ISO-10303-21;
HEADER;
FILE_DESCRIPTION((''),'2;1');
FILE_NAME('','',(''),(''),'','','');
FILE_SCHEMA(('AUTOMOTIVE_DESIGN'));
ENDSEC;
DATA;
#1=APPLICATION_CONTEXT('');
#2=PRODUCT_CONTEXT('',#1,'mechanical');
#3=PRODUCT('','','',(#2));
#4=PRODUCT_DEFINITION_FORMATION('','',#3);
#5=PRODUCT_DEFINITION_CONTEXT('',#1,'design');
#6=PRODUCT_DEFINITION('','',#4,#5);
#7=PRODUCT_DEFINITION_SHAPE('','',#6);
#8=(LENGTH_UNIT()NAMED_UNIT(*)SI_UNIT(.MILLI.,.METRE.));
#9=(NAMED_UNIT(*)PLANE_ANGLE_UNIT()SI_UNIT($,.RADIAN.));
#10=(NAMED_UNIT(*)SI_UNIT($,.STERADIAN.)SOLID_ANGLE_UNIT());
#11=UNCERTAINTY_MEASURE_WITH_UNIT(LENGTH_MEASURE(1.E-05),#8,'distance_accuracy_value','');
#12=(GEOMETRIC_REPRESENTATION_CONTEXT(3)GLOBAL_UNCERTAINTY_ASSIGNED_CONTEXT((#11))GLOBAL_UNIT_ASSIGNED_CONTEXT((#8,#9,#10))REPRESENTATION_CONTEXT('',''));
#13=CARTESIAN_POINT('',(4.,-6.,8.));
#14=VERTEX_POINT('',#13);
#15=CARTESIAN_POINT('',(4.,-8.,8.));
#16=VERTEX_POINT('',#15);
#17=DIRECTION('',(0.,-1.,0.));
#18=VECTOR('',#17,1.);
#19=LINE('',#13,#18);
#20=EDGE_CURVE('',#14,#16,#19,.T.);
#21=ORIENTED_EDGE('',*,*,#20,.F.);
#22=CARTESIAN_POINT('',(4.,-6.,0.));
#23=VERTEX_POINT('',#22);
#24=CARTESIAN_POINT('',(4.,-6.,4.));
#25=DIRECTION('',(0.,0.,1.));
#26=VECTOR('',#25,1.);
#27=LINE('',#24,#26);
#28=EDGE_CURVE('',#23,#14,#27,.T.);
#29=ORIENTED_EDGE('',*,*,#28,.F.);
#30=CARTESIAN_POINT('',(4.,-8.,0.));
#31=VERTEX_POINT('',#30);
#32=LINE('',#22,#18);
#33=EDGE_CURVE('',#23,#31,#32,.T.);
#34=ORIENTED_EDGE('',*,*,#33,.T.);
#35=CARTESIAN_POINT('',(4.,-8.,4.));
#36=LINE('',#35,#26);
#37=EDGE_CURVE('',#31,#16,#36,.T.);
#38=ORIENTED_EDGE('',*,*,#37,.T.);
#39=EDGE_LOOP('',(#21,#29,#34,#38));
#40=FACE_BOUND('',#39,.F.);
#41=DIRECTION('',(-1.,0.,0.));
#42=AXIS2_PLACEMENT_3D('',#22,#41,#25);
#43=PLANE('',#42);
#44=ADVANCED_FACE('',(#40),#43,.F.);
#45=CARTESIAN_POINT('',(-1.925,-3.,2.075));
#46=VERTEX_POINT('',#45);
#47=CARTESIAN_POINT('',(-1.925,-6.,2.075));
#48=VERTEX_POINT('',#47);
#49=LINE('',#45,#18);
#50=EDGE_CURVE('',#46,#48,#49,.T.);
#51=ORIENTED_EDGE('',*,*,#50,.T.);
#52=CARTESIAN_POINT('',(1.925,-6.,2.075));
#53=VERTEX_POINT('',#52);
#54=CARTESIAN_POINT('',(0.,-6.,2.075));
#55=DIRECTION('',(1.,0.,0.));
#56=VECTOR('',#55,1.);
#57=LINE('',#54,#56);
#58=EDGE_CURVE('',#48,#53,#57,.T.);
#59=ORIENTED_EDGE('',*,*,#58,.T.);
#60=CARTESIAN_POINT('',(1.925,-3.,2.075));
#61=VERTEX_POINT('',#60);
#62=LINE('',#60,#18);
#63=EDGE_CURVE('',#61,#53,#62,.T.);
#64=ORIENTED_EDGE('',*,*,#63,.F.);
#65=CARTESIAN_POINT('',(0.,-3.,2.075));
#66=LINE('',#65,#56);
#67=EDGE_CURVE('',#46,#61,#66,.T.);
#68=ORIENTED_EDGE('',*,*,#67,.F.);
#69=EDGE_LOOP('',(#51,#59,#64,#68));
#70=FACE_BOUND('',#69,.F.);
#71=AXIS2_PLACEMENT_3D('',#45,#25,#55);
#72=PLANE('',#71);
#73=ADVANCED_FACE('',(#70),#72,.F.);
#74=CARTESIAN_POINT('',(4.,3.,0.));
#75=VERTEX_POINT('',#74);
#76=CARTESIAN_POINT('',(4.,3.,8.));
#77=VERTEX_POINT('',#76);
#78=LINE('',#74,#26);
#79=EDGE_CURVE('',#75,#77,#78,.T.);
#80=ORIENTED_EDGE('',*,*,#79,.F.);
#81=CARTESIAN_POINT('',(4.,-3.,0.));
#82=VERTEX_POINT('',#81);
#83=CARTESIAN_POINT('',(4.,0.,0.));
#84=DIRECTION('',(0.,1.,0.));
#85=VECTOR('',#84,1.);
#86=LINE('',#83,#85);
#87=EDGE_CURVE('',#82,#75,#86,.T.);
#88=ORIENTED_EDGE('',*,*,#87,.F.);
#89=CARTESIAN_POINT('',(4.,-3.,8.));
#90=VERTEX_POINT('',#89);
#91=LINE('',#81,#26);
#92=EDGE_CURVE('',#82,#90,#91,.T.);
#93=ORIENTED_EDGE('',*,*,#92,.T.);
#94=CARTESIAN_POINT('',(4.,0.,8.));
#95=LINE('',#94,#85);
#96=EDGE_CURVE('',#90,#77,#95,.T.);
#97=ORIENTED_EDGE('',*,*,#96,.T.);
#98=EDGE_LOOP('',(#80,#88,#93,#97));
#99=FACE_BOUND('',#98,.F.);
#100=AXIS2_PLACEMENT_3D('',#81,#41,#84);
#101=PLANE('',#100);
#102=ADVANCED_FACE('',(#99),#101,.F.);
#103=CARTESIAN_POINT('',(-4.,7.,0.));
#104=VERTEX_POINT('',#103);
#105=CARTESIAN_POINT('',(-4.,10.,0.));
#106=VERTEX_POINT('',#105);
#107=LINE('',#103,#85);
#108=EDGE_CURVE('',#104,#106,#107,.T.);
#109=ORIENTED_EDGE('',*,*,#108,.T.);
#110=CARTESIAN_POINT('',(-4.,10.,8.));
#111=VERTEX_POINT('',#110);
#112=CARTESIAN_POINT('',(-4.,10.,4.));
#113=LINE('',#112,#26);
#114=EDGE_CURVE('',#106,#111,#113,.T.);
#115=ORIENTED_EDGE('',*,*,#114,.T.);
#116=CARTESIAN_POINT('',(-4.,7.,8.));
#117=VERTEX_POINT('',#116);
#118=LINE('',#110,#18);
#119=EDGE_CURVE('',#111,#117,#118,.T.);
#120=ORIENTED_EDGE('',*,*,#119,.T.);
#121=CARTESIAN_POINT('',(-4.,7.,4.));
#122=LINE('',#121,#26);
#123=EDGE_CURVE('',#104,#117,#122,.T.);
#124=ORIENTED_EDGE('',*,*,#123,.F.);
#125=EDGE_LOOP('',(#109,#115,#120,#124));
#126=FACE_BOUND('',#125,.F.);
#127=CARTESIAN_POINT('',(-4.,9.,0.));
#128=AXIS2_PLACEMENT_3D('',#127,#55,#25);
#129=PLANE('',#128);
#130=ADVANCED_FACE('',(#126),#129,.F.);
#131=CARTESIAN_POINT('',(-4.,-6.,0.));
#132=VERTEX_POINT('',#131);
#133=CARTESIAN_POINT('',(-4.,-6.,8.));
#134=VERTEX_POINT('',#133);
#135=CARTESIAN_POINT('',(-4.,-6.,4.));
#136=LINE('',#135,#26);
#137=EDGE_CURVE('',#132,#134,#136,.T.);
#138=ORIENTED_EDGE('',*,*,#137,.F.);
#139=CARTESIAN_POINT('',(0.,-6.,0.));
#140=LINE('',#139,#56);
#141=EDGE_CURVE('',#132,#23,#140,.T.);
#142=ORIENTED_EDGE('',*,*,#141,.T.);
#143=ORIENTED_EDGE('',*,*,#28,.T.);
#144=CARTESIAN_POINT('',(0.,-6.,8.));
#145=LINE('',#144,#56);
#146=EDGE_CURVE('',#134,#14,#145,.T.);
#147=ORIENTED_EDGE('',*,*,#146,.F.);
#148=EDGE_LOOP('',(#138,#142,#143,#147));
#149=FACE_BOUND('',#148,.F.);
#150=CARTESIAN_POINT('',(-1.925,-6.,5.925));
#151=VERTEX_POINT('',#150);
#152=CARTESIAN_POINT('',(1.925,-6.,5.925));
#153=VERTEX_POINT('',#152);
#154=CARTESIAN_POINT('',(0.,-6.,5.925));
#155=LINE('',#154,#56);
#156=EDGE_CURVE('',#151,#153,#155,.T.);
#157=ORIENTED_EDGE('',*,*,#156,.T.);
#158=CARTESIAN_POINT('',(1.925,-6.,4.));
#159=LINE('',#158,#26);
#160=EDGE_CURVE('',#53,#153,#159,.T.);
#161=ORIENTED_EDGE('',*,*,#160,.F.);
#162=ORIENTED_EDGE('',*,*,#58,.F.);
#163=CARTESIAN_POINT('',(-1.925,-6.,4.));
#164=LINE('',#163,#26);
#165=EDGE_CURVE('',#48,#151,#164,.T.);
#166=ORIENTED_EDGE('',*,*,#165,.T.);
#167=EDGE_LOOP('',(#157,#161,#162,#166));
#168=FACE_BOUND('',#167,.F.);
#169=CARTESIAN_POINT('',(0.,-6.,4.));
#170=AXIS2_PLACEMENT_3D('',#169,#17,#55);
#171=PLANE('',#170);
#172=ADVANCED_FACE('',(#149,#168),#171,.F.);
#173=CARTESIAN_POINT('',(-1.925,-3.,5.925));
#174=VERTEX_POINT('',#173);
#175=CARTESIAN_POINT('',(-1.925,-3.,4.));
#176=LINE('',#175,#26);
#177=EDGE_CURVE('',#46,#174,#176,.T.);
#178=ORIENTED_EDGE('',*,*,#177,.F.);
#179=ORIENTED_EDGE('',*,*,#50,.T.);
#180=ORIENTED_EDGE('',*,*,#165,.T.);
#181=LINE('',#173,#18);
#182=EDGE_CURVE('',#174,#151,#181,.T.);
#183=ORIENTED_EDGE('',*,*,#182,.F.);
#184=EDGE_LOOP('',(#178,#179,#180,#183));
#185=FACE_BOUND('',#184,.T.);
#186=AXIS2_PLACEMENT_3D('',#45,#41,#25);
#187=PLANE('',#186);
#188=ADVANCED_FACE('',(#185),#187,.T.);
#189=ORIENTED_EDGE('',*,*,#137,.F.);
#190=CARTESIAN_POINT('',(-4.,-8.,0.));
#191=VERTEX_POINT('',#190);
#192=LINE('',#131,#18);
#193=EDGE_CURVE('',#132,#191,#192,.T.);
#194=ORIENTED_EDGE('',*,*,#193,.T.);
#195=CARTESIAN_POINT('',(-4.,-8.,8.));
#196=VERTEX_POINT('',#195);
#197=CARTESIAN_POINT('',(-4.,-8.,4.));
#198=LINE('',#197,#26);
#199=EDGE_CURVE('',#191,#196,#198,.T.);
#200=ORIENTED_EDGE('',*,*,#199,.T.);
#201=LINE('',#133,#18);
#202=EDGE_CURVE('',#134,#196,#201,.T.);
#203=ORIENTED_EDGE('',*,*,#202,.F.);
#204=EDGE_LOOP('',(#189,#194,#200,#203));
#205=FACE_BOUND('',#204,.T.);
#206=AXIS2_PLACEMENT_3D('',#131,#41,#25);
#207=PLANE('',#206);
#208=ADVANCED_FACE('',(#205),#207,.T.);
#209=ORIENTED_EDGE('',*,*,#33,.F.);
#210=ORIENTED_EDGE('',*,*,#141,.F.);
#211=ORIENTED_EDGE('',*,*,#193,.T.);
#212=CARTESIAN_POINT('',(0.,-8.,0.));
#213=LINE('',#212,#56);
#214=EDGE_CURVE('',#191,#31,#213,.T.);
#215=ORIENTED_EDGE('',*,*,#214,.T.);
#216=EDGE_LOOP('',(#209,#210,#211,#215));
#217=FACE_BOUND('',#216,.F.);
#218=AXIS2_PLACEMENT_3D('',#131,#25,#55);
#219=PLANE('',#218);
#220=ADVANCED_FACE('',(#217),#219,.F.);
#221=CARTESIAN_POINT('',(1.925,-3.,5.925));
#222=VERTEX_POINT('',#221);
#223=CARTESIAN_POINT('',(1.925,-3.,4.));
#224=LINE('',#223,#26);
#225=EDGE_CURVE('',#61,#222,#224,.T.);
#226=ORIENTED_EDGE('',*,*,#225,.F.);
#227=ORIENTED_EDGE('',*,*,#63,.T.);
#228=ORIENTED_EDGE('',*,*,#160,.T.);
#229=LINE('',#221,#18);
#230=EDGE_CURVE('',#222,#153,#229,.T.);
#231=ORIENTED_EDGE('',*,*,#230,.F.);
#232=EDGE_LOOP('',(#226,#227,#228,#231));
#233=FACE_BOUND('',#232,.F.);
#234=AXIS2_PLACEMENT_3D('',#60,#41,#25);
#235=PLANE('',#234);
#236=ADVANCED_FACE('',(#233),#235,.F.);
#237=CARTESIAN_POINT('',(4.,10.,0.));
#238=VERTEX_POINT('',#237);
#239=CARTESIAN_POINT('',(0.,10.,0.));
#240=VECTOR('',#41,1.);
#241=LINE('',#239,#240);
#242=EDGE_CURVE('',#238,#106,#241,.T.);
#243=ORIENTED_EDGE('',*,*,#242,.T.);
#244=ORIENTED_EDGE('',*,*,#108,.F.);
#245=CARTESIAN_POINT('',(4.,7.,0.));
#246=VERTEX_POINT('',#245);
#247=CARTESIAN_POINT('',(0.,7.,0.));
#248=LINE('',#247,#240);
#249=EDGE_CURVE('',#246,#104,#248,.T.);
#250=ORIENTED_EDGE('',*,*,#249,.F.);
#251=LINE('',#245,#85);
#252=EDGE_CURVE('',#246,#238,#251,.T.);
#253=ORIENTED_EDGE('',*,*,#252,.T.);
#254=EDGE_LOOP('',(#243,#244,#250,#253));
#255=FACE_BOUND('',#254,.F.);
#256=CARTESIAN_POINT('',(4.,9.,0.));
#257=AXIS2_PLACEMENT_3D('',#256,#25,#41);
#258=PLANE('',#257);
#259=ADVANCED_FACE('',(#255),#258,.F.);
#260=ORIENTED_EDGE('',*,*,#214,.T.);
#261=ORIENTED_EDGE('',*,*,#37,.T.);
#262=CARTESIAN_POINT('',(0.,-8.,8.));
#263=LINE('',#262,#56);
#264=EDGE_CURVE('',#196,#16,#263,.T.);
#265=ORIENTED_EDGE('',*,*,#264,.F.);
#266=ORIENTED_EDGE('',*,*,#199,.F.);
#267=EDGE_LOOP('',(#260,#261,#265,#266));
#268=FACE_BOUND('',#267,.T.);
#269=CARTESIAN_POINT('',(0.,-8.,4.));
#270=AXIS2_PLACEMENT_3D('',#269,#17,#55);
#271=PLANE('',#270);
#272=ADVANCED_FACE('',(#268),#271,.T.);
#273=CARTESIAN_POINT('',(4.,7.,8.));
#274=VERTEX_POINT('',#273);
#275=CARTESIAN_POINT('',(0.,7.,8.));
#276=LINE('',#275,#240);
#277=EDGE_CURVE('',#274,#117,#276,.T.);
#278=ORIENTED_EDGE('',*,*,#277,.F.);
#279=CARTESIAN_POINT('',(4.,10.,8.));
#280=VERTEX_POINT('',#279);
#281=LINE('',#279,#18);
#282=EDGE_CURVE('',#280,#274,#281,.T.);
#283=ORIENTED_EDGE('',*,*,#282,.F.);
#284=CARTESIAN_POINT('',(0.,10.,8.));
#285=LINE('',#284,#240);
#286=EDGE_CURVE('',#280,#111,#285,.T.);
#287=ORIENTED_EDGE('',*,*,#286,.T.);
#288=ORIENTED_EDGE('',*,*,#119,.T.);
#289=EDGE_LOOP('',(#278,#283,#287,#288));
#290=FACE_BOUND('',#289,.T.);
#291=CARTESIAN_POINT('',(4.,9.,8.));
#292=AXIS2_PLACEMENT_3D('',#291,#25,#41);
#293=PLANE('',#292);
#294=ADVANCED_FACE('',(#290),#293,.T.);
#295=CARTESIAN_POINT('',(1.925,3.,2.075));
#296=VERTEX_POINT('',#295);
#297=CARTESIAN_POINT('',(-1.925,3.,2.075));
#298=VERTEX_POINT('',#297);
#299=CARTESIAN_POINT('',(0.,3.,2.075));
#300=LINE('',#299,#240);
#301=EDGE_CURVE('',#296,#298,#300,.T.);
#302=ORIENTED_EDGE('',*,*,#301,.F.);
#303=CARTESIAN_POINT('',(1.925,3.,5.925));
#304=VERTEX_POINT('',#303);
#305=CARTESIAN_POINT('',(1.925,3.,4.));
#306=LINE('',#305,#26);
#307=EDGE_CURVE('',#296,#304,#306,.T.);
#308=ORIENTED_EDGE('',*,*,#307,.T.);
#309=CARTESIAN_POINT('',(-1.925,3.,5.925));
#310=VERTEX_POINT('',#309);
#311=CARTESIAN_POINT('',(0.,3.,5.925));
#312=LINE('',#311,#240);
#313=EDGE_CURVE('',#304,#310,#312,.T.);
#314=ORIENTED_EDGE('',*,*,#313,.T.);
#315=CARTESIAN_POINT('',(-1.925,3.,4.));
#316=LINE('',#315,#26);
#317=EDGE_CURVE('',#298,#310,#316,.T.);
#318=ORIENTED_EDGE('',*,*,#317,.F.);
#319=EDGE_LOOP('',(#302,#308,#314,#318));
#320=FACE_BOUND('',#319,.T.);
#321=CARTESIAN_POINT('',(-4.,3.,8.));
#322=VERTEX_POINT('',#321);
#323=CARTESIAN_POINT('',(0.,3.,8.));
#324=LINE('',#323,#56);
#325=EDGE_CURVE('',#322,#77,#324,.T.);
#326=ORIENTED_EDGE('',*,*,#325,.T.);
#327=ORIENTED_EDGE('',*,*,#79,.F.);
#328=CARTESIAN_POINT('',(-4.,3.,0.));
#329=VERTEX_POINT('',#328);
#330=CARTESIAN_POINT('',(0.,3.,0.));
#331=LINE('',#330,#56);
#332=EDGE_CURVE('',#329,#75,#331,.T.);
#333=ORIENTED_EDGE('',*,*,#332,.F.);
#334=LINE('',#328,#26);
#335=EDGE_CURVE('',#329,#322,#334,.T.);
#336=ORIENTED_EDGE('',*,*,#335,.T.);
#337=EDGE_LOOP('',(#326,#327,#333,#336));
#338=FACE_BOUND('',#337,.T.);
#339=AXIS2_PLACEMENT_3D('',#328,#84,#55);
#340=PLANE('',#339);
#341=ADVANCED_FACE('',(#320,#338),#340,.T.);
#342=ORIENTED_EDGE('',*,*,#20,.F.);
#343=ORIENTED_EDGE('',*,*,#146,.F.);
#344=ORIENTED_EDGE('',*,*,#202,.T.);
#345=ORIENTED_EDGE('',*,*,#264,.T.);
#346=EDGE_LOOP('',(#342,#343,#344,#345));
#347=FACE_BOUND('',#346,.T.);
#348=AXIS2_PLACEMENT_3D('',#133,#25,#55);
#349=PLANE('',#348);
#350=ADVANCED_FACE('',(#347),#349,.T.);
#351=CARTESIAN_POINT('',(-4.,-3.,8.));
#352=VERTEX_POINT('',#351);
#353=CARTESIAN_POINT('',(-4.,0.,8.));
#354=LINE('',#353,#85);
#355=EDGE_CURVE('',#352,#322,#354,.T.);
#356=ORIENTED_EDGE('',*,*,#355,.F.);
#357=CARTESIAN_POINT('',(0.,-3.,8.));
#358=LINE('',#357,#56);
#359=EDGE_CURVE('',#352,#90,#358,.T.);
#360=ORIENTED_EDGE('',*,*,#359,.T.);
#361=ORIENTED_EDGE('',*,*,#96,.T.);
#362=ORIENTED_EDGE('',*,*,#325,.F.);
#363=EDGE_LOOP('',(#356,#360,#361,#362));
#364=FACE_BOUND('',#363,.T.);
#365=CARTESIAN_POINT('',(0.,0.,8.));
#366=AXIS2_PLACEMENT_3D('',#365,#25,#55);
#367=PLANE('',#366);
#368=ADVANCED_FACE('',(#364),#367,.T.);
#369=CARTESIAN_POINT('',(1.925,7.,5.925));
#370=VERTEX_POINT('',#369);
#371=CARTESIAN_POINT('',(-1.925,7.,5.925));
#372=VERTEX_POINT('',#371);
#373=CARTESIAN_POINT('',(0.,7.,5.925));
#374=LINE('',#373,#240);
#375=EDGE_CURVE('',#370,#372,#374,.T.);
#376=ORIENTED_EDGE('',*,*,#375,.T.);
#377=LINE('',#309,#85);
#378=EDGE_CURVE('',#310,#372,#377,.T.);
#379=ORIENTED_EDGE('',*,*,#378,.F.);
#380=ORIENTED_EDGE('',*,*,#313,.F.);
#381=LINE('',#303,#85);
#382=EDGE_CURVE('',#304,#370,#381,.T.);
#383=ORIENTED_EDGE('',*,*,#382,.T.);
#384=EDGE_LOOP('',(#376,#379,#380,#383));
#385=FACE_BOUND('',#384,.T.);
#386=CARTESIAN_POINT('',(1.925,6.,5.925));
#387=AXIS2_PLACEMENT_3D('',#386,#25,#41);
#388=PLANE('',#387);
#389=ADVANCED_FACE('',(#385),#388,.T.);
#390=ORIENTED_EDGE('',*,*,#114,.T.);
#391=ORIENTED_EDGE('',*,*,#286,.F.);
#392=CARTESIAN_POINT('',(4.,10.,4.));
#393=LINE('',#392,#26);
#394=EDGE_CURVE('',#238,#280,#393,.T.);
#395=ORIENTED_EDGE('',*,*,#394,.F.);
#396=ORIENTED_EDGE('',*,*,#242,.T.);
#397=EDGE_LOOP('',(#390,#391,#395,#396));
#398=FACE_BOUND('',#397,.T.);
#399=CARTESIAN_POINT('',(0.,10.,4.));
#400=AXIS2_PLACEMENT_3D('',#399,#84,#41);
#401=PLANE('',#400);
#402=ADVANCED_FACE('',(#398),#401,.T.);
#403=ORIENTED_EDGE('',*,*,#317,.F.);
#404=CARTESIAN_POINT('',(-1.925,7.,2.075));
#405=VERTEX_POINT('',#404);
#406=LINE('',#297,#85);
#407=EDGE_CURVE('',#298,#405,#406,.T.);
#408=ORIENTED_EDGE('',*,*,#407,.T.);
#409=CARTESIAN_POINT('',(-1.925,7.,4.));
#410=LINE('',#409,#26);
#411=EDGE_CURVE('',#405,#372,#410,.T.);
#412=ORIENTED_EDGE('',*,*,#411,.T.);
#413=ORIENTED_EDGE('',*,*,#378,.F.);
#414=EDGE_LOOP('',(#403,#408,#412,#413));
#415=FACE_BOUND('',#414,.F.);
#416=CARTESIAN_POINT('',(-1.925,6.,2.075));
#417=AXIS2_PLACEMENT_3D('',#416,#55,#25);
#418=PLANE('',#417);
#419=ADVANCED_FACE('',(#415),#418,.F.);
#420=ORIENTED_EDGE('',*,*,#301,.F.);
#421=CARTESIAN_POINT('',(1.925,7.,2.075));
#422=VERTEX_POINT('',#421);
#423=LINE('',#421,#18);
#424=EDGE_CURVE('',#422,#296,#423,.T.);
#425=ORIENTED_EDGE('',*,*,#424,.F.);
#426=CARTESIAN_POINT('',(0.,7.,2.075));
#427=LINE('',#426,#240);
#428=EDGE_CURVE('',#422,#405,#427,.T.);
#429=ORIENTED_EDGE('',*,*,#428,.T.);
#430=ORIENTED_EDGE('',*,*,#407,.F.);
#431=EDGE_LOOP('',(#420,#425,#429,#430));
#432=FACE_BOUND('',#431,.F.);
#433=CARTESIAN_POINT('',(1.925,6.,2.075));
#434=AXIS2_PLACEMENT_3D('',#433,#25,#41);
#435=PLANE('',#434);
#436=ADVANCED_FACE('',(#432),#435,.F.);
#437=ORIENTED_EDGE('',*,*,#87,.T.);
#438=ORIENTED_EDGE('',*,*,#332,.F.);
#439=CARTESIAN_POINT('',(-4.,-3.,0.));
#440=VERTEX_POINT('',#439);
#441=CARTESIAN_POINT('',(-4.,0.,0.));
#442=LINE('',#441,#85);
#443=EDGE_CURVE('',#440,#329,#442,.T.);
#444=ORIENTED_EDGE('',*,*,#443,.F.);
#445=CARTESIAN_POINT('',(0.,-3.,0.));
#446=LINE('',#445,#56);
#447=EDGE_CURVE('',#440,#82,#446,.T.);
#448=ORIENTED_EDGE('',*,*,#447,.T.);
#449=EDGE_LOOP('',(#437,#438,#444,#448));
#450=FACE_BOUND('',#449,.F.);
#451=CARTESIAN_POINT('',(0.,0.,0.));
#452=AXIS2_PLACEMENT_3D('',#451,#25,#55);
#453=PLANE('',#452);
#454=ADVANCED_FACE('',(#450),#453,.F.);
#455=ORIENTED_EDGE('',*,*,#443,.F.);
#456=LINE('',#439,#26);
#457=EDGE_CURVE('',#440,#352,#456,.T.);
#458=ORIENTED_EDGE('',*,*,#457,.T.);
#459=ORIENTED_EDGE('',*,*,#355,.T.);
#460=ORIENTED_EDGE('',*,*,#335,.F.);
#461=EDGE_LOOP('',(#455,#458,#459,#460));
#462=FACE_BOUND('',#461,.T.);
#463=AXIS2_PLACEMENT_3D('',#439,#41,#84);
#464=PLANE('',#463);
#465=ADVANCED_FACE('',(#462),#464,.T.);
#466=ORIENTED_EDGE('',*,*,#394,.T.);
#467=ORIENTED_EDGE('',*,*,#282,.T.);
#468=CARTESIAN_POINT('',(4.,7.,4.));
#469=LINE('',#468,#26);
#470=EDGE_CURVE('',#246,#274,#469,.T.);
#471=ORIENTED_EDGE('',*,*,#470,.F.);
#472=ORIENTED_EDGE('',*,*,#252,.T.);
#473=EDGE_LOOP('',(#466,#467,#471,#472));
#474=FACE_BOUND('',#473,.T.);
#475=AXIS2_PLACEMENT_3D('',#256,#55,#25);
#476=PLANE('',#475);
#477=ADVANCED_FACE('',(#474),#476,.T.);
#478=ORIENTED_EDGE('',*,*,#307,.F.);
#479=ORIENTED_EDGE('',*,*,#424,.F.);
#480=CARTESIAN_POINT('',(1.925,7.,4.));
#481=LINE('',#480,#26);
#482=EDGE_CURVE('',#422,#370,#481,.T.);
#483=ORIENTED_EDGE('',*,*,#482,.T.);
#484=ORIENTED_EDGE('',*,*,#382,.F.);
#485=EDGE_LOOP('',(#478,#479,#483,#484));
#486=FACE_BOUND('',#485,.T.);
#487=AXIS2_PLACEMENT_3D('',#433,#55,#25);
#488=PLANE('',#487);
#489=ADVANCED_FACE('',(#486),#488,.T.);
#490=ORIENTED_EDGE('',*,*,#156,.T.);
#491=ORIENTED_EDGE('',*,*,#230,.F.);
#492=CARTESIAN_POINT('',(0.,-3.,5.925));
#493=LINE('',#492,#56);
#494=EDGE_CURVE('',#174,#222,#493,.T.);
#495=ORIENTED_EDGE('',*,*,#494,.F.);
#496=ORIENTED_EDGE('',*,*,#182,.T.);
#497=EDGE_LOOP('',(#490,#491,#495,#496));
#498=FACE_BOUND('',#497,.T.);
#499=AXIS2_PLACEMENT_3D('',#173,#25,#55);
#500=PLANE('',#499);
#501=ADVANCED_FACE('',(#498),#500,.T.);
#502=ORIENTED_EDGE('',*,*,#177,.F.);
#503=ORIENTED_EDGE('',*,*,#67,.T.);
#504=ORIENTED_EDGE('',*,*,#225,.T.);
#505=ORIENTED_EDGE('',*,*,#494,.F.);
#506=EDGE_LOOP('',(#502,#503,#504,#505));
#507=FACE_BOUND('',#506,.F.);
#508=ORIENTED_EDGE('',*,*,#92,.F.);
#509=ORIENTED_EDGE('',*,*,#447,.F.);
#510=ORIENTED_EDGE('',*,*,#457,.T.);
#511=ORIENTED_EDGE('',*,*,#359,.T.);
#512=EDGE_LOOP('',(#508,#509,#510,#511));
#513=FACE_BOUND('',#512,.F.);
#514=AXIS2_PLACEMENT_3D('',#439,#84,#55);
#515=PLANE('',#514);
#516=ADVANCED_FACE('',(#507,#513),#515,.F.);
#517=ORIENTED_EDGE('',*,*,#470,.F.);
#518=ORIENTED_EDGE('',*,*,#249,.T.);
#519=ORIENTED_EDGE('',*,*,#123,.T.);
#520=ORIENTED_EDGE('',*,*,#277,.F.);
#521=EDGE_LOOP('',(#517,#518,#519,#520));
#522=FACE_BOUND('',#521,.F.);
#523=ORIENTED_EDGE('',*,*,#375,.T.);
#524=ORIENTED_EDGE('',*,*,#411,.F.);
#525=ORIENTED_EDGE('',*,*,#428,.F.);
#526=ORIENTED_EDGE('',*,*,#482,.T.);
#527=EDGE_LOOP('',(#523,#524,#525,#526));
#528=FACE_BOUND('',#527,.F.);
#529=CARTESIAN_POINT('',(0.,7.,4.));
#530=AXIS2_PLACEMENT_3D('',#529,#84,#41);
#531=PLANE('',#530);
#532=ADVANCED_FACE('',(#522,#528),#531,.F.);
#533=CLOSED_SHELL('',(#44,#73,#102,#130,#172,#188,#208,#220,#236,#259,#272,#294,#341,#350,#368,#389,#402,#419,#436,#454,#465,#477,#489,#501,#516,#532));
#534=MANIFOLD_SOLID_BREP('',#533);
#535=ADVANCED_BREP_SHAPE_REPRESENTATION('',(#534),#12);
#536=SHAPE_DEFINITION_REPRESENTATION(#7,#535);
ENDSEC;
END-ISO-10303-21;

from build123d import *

# Parameters (mm, degrees)
F0_W      = 8
F0_H      = 6
F1_DEPTH  = 8
F2_W      = 3.85
F2_H      = 3.85
F3_DEPTH  = 3
F4_W      = 8
F4_H      = 8
F4_W_2    = 3.85
F4_H_2    = 3.85
F5_DEPTH  = 2
F7_W      = 3.85
F7_H      = 3.85
F8_DEPTH  = 3
F9_W      = 8
F9_H      = 8
F9_W_2    = 3.85
F9_H_2    = 3.85
F10_DEPTH = 2.35
F11_DEPTH = 0.35
F12_DEPTH = 1
F13_DEPTH = 0.65
F14_DEPTH = 1


with BuildPart() as f1:
    # F0 (on Top) → F1 (new body)
    with BuildSketch(Plane.XY):
        Rectangle(F0_W, F0_H)
    extrude(amount=F1_DEPTH)

    # F2 (on face) → F3 (join)
    with BuildSketch(Plane.XZ.offset(3)):
        with Locations((0, 4)):
            Rectangle(F2_W, F2_H)
    extrude(amount=F3_DEPTH)

    # F4 (on face) → F5 (join)
    with BuildSketch(Plane.XZ.offset(6)):
        with Locations((0, 4)):
            Rectangle(F4_W, F4_H)
        with Locations((0, 4)):
            Rectangle(F4_W_2, F4_H_2, mode=Mode.SUBTRACT)
        with Locations((0, 4)):
            Rectangle(F4_W_2, F4_H_2)
    extrude(amount=F5_DEPTH)

    # F7 (on face) → F8 (join)
    with BuildSketch(Plane(origin=(0, 3, 0), x_dir=(-1, 0, 0), z_dir=(0, 1, 0))):
        with Locations((0, 4)):
            Rectangle(F7_W, F7_H)
    extrude(amount=F8_DEPTH)

    # F9 (on face) → F10 (join)
    with BuildSketch(Plane(origin=(0, 6, 0), x_dir=(-1, 0, 0), z_dir=(0, 1, 0))):
        with Locations((0, 4)):
            Rectangle(F9_W, F9_H)
        with Locations((0, 4)):
            Rectangle(F9_W_2, F9_H_2, mode=Mode.SUBTRACT)
        with Locations((0, 4)):
            Rectangle(F9_W_2, F9_H_2)
    extrude(amount=F10_DEPTH)

    # F11 (add): a face of the model
    f11_faces = [f1.faces().sort_by_distance(p)[0] for p in [
        (-3.886862915, 6, 4),
    ]]
    extrude(f11_faces, amount=-F11_DEPTH)

    # F12 (cut): a face of the model
    f12_faces = [f1.faces().sort_by_distance(p)[0] for p in [
        (-3.886862915, 6, 4),
    ]]
    extrude(f12_faces, amount=-F12_DEPTH, mode=Mode.SUBTRACT)

    # F13 (add): a face of the model
    f13_faces = [f1.faces().sort_by_distance(p)[0] for p in [
        (0, 8.35, 4),
    ]]
    extrude(f13_faces, amount=F13_DEPTH)

    # F14 (add): a face of the model
    f14_faces = [f1.faces().sort_by_distance(p)[0] for p in [
        (0, 9, 4),
    ]]
    extrude(f14_faces, amount=F14_DEPTH)


solid = f1.part
